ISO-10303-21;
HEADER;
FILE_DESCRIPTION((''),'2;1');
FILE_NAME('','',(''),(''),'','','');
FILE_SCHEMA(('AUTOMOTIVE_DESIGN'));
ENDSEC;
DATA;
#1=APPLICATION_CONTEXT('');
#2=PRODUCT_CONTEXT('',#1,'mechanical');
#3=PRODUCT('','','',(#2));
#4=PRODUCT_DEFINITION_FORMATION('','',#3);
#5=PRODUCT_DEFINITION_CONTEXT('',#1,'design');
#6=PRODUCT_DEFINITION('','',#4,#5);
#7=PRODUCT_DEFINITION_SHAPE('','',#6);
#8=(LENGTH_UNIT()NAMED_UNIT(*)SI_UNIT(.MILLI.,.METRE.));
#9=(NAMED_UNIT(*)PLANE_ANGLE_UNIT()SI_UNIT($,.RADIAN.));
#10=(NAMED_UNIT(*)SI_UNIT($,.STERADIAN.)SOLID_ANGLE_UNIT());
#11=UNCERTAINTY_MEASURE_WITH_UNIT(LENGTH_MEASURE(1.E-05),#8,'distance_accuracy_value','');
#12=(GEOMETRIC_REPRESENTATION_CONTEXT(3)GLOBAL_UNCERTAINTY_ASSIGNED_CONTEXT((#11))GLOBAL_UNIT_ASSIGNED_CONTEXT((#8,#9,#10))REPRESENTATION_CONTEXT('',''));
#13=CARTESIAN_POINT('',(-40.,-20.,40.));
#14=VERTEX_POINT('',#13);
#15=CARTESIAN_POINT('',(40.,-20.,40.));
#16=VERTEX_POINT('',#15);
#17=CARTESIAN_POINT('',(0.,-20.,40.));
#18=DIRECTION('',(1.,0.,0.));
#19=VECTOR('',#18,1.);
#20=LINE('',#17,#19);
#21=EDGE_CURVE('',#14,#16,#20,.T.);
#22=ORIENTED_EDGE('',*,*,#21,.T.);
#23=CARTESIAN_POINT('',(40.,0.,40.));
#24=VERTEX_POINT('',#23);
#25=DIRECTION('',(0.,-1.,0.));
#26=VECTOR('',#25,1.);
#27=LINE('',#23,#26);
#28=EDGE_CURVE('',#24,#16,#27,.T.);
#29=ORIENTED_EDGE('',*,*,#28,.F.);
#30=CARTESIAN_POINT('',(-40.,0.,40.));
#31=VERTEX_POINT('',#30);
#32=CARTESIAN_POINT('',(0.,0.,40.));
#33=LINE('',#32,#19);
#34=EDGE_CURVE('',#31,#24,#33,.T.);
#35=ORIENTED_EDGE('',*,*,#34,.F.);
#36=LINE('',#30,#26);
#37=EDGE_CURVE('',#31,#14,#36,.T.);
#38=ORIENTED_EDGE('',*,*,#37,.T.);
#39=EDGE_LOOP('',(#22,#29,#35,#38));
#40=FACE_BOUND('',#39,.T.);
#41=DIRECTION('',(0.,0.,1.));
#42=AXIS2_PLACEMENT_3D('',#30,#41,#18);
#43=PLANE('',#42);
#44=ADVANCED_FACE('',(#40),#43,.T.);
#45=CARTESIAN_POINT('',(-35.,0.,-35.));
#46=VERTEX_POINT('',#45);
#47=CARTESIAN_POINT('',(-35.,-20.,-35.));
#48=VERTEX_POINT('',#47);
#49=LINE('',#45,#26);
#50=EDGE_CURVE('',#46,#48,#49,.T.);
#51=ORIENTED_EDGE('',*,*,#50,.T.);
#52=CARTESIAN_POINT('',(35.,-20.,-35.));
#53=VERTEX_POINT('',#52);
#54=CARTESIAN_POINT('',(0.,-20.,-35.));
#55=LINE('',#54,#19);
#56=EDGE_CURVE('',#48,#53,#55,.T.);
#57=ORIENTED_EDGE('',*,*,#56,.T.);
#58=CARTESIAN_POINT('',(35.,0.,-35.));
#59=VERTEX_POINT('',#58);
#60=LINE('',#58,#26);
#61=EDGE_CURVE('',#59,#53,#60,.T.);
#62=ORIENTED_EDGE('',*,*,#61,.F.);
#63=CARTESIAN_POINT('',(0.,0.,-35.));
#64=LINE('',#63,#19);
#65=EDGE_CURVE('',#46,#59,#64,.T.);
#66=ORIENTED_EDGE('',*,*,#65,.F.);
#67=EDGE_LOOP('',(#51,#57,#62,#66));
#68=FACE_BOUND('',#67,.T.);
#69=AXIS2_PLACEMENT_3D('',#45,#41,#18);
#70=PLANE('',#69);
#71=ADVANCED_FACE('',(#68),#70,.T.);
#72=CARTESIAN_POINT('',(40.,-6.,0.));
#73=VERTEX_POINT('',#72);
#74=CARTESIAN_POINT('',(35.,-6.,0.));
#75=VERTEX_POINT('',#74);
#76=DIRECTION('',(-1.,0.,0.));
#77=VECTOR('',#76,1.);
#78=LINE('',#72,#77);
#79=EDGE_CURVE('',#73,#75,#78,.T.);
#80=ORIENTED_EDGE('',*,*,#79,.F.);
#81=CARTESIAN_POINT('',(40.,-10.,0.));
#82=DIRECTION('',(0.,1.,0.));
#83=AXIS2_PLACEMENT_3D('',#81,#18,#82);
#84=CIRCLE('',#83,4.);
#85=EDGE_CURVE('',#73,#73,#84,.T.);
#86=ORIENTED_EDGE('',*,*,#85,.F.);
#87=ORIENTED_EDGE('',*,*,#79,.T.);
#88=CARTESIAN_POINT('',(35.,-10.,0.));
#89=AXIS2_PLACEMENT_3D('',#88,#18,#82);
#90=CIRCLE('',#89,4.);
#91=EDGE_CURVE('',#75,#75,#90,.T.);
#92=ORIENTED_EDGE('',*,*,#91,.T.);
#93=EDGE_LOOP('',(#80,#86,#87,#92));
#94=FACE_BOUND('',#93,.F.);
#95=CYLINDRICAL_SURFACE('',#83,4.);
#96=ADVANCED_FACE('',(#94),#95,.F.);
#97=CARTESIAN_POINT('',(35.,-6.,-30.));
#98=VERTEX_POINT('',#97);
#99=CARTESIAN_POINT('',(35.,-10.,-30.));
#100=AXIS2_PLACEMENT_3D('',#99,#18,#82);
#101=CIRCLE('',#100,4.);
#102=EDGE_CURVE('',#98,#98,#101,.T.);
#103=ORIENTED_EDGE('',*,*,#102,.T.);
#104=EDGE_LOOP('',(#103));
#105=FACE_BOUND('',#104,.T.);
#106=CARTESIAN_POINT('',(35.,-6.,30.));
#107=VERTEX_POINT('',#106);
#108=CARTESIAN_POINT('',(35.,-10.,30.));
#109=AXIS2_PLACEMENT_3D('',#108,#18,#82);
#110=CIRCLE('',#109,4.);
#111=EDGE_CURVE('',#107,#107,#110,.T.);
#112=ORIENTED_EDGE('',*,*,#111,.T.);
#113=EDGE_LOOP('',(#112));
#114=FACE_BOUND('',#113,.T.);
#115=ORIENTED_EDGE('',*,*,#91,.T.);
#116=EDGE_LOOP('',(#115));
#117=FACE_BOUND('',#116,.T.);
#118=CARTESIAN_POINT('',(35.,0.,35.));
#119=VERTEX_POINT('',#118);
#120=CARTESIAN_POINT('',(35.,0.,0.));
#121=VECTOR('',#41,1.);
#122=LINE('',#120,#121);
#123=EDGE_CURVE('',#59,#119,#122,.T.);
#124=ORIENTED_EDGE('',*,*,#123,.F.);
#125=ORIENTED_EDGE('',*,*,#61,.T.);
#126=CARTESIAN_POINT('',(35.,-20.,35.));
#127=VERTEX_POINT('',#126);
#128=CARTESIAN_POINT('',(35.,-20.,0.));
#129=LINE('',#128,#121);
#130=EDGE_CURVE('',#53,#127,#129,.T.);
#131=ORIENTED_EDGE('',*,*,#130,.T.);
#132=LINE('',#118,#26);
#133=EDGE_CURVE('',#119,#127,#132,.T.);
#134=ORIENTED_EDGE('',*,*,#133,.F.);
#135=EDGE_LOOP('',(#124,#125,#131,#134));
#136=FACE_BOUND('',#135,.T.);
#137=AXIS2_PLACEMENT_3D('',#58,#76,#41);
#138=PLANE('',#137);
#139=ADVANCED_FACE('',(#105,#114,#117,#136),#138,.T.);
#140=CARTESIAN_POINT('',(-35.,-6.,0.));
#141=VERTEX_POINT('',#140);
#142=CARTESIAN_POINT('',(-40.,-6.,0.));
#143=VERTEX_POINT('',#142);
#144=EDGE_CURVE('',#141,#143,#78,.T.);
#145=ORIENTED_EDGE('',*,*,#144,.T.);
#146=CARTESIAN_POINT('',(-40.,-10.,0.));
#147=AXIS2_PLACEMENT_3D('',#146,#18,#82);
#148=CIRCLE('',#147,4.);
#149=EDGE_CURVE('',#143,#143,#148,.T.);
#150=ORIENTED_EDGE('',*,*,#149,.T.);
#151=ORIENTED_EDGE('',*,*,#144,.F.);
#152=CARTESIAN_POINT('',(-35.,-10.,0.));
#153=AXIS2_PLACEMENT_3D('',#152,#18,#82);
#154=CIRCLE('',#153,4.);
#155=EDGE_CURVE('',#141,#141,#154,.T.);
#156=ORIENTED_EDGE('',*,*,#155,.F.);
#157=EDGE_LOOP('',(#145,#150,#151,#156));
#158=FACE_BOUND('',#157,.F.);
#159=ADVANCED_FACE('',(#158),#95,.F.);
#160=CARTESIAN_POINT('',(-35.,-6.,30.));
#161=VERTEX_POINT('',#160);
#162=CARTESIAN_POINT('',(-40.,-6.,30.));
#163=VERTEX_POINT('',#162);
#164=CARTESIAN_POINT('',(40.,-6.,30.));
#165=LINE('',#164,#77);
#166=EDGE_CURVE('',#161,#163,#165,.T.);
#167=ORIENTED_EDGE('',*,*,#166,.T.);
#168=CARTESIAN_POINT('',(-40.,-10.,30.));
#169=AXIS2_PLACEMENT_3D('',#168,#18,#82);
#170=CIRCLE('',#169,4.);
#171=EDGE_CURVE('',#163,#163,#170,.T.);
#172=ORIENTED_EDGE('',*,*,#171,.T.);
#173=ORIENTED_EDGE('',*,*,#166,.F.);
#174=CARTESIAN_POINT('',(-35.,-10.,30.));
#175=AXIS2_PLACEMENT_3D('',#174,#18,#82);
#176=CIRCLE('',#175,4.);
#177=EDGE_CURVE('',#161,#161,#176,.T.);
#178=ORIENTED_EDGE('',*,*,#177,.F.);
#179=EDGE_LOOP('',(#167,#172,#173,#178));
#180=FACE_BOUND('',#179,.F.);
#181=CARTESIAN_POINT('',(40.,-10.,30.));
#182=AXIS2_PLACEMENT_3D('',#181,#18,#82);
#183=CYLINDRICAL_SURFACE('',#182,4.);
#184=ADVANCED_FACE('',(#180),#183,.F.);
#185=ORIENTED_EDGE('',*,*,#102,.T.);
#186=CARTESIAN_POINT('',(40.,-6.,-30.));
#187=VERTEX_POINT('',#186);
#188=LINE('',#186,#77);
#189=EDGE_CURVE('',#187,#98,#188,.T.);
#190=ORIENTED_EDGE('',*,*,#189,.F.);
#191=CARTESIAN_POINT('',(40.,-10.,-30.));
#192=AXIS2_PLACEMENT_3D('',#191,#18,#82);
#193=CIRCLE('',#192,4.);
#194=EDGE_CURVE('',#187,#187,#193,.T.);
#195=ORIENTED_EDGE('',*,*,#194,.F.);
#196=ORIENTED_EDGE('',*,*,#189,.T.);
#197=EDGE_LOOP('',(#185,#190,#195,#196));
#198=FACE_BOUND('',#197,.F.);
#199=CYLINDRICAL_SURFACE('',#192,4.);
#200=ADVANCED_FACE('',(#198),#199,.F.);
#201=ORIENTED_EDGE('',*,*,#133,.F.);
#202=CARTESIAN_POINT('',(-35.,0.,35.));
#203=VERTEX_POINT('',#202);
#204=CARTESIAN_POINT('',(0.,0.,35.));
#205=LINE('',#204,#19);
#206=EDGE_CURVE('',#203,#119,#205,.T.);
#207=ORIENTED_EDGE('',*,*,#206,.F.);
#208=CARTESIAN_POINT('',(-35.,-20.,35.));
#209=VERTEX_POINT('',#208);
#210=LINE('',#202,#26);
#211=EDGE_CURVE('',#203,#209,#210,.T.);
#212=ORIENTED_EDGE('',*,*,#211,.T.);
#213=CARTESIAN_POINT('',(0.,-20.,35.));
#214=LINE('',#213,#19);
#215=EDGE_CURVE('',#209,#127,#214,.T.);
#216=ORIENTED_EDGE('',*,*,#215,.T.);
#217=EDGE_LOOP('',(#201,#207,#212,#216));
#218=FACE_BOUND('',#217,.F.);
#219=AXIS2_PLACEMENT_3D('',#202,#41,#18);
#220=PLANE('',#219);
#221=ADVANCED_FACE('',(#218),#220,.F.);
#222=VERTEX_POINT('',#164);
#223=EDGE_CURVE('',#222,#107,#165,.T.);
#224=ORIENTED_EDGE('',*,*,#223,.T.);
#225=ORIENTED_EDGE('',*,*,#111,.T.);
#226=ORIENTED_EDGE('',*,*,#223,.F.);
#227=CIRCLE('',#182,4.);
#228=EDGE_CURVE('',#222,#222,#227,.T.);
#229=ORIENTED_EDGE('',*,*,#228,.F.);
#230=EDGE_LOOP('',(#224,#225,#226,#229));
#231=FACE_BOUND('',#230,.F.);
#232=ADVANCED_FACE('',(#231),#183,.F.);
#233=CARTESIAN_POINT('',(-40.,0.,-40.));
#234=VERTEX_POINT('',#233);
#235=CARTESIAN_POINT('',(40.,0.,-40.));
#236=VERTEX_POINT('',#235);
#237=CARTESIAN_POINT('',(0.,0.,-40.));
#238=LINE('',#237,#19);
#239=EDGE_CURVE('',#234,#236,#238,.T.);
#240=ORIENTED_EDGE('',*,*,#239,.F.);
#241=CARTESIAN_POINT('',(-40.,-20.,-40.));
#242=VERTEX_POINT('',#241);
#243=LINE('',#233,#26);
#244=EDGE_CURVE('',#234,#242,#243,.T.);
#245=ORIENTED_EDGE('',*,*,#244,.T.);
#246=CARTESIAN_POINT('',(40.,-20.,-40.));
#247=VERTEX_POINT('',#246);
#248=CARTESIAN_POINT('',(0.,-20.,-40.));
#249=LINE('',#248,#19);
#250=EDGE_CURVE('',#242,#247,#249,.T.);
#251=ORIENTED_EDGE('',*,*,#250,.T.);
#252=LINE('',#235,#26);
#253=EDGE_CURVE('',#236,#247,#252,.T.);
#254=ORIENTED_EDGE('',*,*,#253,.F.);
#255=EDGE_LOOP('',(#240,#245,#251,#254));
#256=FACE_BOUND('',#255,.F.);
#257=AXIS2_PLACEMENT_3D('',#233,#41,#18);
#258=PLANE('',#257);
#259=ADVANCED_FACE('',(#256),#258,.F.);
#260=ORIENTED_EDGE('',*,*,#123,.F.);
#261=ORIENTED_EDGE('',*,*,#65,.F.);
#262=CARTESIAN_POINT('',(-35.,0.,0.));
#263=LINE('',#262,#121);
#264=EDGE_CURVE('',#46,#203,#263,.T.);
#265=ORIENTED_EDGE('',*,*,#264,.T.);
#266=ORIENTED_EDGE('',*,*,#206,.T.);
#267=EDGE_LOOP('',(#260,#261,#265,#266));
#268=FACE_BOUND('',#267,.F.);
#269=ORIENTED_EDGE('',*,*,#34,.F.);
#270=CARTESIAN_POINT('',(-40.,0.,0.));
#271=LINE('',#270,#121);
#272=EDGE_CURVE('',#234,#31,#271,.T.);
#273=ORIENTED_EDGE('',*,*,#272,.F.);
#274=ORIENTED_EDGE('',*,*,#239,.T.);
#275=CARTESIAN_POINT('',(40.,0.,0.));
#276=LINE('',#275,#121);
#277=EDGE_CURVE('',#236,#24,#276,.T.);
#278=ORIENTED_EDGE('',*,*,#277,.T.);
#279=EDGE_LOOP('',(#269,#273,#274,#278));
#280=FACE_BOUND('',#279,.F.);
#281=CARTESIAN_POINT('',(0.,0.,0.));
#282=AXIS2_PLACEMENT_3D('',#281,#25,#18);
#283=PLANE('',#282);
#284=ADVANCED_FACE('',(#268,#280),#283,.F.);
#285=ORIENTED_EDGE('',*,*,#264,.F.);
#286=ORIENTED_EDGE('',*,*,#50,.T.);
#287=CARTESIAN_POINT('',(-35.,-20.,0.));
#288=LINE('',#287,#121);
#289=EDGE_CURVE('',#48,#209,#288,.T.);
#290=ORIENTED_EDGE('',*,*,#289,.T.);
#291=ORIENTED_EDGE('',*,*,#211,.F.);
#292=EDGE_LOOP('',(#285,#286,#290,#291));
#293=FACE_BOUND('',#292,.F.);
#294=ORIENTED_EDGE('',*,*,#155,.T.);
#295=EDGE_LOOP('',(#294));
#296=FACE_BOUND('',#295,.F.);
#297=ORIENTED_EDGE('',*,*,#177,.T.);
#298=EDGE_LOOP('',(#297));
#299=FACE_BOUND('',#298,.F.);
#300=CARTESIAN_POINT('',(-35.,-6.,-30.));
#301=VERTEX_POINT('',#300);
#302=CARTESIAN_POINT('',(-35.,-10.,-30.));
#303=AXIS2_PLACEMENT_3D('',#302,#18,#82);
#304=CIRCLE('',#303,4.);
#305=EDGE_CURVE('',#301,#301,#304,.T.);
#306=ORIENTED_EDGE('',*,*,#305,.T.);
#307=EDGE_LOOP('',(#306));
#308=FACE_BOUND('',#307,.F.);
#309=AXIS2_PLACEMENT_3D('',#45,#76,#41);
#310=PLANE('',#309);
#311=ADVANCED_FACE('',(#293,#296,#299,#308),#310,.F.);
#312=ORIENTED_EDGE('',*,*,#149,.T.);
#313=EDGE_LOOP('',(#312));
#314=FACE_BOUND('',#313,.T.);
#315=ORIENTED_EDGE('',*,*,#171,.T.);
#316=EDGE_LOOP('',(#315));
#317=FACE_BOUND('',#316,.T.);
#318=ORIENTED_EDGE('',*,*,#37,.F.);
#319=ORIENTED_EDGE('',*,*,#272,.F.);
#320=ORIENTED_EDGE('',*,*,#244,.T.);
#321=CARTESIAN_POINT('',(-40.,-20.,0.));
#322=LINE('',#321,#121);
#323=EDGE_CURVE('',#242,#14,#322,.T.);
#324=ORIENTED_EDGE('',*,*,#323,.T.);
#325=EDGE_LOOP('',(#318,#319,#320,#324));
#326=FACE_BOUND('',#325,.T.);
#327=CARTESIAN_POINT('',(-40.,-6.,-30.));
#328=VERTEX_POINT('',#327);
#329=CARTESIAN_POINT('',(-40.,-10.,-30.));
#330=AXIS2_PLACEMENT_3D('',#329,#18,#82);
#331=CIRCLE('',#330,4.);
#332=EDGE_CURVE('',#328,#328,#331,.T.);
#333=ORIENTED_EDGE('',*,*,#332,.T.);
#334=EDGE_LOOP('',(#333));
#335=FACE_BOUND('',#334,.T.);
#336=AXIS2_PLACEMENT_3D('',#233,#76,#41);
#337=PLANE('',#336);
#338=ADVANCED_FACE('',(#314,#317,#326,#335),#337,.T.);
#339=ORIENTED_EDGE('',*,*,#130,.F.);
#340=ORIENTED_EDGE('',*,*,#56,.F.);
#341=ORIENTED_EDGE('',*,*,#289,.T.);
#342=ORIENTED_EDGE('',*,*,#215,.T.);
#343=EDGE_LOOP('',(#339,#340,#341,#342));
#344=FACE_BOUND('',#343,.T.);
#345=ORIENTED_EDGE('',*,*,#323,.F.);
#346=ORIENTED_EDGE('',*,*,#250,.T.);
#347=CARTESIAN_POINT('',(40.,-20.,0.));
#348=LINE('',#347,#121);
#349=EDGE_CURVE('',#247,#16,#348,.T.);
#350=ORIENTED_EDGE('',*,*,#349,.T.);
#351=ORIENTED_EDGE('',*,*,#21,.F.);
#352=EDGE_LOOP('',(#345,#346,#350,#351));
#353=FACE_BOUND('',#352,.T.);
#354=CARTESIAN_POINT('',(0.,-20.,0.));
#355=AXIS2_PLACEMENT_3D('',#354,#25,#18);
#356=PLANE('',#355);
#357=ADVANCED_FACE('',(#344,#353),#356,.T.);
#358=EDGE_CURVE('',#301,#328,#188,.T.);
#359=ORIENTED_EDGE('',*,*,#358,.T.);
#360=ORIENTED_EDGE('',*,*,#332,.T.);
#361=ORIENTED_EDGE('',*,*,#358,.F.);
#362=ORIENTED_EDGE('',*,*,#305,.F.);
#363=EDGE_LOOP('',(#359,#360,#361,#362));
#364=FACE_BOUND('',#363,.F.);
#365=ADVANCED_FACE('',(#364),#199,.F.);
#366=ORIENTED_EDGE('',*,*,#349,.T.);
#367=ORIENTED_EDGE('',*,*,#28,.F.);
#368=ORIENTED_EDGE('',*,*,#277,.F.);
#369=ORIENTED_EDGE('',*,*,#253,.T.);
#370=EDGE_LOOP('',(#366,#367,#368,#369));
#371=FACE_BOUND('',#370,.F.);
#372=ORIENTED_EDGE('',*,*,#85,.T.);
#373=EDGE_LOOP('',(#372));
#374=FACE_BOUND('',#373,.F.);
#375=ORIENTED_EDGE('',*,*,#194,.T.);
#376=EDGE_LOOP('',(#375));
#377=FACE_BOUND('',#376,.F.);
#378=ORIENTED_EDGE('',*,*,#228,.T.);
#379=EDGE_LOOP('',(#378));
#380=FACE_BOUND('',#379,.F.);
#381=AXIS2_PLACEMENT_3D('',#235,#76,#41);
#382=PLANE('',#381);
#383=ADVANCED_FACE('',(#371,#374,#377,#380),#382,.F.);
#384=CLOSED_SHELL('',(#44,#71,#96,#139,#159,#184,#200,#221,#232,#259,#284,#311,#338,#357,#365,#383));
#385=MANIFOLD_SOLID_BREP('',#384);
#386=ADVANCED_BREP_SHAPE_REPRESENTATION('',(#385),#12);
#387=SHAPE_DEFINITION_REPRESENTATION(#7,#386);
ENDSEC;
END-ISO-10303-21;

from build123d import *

# Parameters (mm, degrees)
F0_W     = 80
F0_H     = 80
F0_W_2   = 70
F0_H_2   = 70
F1_DEPTH = 20
F2_R     = 4
F3_DEPTH = 80.001


with BuildPart() as f1:
    # F0 (on Front) → F1 (new body)
    with BuildSketch(Plane.XZ):
        Rectangle(F0_W, F0_H)
        Rectangle(F0_W_2, F0_H_2, mode=Mode.SUBTRACT)
    extrude(amount=F1_DEPTH)

    # F2 (on face) → F3 (cut, through all)
    with BuildSketch(Plane.YZ.offset(40)):
        with Locations((-10, 30)):
            Circle(F2_R)
        with Locations((-10, 0)):
            Circle(F2_R)
        with Locations((-10, -30)):
            Circle(F2_R)
    extrude(amount=-F3_DEPTH, mode=Mode.SUBTRACT)


solid = f1.part
